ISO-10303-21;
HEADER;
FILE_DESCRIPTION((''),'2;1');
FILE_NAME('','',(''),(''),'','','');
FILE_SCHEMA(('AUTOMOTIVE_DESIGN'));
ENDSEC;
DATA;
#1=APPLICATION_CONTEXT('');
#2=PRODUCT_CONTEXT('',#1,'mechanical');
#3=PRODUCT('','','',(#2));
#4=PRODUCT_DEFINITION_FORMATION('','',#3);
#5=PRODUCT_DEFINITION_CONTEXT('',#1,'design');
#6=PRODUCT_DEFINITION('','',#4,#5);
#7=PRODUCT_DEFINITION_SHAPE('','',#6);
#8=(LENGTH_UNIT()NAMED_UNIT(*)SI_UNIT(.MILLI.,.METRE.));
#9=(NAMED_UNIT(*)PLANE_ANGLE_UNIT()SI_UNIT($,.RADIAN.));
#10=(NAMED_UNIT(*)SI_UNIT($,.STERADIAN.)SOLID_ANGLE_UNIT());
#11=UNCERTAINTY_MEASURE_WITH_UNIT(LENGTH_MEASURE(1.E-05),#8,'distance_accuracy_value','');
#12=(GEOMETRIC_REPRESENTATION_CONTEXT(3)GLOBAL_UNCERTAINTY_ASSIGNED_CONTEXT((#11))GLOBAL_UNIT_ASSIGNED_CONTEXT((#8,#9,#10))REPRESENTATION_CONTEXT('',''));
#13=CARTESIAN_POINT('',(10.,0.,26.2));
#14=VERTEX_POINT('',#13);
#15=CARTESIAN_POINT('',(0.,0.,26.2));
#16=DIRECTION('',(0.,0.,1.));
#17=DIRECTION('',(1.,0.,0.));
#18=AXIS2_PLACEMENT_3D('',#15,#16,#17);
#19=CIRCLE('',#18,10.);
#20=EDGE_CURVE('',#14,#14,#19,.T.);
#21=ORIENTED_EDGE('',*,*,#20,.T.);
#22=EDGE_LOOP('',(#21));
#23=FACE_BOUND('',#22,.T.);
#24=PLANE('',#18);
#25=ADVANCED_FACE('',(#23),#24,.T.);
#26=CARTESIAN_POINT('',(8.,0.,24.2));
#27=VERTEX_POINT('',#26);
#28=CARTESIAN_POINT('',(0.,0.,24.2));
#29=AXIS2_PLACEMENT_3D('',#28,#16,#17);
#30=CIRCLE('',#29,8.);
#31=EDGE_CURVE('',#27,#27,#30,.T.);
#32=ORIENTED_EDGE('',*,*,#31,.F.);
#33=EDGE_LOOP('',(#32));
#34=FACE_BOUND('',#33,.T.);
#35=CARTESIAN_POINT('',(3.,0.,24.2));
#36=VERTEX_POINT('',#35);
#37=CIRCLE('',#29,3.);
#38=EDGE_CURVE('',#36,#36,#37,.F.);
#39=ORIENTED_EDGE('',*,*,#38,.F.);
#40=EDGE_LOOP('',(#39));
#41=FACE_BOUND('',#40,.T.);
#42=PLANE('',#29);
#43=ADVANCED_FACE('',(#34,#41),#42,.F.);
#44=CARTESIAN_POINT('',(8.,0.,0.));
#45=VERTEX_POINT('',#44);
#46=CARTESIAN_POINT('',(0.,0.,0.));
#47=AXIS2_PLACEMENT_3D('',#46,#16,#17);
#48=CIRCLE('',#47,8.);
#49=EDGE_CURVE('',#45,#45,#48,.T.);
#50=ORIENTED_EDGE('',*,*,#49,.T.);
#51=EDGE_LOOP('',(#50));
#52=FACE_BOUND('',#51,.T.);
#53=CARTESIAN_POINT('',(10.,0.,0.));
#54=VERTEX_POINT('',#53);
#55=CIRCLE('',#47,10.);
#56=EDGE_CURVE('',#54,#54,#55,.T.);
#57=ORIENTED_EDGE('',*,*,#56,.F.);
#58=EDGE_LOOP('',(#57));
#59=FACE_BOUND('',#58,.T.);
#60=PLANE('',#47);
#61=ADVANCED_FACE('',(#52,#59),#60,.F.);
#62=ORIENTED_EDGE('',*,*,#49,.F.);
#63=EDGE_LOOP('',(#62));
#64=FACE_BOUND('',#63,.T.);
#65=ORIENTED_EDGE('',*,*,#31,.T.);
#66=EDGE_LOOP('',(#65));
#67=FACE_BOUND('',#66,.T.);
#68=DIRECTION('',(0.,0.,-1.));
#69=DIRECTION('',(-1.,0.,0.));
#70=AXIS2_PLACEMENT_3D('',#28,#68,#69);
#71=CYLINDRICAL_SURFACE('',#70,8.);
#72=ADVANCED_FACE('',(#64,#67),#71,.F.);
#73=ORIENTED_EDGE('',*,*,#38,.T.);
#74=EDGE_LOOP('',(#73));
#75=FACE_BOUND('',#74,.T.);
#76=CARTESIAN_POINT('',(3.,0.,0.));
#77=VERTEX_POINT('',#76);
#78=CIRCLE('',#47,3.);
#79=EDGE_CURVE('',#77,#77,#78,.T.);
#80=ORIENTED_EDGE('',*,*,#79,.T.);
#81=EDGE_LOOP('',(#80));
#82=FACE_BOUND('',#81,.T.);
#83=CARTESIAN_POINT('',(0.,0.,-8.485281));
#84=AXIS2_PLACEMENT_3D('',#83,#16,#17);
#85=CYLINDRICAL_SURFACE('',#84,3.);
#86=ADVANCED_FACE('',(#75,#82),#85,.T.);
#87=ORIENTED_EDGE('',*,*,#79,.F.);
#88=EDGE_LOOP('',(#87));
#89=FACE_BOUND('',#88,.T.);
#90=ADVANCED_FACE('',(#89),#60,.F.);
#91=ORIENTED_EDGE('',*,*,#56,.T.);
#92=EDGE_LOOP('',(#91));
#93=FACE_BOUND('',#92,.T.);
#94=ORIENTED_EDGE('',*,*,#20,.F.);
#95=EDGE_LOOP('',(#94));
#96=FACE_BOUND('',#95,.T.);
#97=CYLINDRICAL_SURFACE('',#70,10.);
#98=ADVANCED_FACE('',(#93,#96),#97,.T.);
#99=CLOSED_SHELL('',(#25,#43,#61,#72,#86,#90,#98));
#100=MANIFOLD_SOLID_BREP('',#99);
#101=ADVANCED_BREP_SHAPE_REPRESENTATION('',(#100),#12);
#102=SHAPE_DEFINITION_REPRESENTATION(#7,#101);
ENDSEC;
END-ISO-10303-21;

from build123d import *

# Parameters (mm, degrees)
SKETCH_1_R      = 10
SKETCH_1_R_2    = 8
EXTRUDE_1_DEPTH = 24.2
SKETCH_2_R      = 10
EXTRUDE_2_DEPTH = 2
SKETCH_3_R      = 3
EXTRUDE_3_DEPTH = 24.2


with BuildPart() as part:
    # 草图1 → 凸台-拉伸1 (new body)
    with BuildSketch(Plane.XY):
        Circle(SKETCH_1_R)
        Circle(SKETCH_1_R_2, mode=Mode.SUBTRACT)
    extrude(amount=EXTRUDE_1_DEPTH)

    # 草图2 → 凸台-拉伸2 (add)
    with BuildSketch(Plane.XY.offset(24.2)):
        Circle(SKETCH_2_R)
    extrude(amount=EXTRUDE_2_DEPTH)

    # 草图3 → 凸台-拉伸3 (add)
    with BuildSketch(Plane(origin=(0, 0, 24.2), x_dir=(-1, 0, 0), z_dir=(0, 0, -1))):
        with Locations(Location((0, 0, 0), (0, 0, 180))):
            Circle(SKETCH_3_R)
    extrude(amount=EXTRUDE_3_DEPTH)


solid = part.part
